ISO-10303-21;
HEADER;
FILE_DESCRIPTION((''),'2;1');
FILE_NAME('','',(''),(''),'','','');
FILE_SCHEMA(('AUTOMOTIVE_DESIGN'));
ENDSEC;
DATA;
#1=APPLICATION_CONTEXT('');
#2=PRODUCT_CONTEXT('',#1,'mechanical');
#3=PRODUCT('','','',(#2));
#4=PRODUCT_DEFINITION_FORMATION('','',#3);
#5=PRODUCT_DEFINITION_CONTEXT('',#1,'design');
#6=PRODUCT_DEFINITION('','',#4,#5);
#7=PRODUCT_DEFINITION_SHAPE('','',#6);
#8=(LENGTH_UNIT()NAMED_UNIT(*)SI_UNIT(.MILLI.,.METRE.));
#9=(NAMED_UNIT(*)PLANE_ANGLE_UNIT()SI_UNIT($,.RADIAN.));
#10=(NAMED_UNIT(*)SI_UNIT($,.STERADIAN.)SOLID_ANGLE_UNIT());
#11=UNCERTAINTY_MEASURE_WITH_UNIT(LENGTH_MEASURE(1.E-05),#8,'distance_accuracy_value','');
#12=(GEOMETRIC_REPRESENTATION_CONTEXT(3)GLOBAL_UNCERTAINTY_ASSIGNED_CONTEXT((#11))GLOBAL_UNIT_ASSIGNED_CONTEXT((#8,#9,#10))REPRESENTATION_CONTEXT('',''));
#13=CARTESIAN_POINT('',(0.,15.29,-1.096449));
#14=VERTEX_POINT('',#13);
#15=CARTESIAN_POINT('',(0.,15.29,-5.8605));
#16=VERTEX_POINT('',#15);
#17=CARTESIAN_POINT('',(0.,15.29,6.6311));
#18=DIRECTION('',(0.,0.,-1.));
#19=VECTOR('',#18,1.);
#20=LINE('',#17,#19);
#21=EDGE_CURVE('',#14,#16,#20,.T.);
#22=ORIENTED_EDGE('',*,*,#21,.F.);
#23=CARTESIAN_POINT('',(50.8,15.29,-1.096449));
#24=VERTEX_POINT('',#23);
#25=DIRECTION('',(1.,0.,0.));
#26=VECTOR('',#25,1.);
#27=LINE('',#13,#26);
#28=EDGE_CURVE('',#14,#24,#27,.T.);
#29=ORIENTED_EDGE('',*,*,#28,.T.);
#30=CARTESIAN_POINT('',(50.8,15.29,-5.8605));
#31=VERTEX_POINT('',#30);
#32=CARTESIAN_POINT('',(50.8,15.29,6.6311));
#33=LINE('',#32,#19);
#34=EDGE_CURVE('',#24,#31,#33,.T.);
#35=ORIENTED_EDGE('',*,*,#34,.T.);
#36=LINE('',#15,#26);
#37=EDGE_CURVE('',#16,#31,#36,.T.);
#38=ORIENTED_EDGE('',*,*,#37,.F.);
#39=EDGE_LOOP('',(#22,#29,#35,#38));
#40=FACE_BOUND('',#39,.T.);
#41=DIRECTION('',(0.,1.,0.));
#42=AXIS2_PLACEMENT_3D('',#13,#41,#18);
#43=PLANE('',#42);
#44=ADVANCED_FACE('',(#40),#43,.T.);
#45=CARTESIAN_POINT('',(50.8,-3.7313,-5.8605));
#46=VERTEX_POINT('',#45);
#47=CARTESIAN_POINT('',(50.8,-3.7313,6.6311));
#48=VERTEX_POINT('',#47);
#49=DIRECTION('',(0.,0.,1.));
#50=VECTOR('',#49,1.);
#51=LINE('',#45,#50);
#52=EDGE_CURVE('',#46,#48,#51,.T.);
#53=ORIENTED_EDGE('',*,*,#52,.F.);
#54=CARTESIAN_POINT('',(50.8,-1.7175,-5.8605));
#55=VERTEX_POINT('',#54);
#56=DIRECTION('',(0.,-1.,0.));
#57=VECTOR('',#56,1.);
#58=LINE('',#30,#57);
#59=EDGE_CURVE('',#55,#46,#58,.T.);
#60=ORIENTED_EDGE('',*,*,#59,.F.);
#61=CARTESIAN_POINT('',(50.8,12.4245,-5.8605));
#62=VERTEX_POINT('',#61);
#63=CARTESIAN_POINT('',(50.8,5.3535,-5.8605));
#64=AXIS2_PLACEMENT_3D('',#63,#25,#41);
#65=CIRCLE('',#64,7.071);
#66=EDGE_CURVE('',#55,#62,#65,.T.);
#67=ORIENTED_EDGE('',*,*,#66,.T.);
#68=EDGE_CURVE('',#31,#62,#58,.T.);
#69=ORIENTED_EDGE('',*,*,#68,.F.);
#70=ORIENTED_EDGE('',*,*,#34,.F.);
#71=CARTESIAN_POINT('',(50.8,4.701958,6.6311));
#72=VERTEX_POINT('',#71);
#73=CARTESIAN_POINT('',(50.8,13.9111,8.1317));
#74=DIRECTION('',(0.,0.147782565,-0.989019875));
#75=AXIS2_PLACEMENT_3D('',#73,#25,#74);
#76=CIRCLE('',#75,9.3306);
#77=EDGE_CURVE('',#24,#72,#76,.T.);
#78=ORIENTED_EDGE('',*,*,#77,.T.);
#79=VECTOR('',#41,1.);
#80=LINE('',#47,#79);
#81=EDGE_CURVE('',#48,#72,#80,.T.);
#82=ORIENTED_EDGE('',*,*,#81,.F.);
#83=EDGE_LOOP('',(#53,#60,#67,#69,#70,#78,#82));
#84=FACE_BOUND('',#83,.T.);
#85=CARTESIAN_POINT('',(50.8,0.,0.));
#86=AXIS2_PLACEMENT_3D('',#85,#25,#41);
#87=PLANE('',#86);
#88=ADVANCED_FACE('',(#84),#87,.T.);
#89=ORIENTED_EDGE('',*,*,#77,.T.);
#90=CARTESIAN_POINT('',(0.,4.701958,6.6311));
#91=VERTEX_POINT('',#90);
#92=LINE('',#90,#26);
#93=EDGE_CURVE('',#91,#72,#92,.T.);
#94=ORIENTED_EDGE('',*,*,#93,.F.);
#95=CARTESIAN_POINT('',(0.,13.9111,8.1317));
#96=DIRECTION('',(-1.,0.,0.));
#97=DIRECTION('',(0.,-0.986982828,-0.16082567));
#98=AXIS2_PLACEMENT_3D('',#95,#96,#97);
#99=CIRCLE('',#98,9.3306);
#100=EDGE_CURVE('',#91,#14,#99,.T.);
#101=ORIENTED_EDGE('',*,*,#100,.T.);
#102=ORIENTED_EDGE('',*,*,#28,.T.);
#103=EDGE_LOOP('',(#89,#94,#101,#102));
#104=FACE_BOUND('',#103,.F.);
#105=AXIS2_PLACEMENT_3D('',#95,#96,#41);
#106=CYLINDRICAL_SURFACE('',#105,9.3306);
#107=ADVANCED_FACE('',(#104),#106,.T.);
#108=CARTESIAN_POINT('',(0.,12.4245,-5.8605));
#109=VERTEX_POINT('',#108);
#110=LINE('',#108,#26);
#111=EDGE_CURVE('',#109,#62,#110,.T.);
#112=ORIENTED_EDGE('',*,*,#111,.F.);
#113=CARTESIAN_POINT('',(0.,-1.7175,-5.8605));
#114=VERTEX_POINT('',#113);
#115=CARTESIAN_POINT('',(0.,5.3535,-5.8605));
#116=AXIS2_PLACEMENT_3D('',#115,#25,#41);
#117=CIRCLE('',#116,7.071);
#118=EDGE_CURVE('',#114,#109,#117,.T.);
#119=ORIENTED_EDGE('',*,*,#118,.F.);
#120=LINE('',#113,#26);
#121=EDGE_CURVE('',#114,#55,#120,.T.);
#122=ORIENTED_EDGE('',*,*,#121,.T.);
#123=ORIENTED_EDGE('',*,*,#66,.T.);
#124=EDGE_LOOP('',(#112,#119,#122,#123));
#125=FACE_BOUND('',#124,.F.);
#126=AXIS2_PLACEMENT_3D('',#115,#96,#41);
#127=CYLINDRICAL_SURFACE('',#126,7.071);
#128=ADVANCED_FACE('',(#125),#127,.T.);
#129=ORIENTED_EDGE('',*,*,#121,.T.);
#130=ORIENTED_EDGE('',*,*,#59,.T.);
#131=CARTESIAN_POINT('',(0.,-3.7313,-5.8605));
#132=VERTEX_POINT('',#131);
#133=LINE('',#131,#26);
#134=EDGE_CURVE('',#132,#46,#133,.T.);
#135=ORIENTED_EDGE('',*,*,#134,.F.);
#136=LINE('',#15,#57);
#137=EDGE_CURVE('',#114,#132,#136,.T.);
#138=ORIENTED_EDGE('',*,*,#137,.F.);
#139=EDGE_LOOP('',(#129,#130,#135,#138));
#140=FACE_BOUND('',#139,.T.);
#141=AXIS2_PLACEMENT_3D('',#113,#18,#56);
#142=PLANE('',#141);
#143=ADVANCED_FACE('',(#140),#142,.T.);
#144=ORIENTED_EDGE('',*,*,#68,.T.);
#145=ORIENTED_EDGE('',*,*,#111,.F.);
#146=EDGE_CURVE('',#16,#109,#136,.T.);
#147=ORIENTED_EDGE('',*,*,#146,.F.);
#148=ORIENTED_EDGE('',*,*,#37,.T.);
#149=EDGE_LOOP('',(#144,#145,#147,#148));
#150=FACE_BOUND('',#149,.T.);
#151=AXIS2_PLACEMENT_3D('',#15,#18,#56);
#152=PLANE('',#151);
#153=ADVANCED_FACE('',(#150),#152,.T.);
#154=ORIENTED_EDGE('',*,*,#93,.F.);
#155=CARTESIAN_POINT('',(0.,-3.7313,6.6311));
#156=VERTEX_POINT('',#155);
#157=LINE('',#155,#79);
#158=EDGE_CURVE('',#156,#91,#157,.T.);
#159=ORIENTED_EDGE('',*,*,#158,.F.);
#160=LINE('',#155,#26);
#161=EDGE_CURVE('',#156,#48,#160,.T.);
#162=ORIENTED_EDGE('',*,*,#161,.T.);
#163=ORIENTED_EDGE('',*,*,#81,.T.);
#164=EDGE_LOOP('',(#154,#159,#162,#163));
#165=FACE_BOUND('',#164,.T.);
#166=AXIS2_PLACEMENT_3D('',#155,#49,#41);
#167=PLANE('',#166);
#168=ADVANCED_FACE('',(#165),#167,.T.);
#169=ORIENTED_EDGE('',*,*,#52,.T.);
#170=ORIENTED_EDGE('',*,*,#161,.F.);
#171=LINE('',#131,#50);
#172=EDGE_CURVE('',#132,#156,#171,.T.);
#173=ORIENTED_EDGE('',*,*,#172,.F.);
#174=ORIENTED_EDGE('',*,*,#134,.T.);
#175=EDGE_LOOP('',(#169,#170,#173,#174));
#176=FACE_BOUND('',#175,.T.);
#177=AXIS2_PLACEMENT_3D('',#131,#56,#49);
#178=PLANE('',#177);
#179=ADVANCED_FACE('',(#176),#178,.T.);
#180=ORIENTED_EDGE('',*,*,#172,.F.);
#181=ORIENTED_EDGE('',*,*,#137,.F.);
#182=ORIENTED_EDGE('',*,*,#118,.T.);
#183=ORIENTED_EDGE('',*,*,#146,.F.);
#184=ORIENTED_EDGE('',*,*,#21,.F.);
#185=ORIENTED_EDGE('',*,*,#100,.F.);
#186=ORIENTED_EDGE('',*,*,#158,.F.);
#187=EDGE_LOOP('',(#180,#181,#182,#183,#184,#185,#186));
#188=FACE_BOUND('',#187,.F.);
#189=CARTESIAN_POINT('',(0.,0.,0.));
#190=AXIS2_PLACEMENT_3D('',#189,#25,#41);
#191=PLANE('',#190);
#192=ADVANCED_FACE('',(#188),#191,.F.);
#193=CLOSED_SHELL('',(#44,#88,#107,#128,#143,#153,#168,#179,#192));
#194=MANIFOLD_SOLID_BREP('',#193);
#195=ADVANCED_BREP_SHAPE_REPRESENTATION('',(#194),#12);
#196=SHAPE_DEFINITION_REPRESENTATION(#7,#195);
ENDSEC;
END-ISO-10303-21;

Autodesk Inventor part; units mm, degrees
ref_plane "YZ Plane" through (0, 0, 0) normal (1, 0, 0) x (0, 1, 0)
ref_plane "XZ Plane" through (0, 0, 0) normal (0, 1, 0) x (-1, 0, 0)
ref_plane "XY Plane" through (0, 0, 0) normal (0, 0, 1) x (1, 0, 0)
sketch "Sketch1" plane through (0, 0, 0) normal (1, 0, 0) x (0, 1, 0)
  circle A0 centre (5.3535, -5.8605) radius 7.071
  circle A1 centre (13.9111, 8.1317) radius 9.3306
  line L0 (-3.7313, 6.6311) -> (15.29, 6.6311)
  line L1 (15.29, 6.6311) -> (15.29, -5.8605)
  line L2 (15.29, -5.8605) -> (-3.7313, -5.8605)
  line L3 (-3.7313, -5.8605) -> (-3.7313, 6.6311)
  point P0 (0, 0)
extrude "Extrusion1" add sketch "Sketch1" along normal blind 50.8
properties part number "test"
